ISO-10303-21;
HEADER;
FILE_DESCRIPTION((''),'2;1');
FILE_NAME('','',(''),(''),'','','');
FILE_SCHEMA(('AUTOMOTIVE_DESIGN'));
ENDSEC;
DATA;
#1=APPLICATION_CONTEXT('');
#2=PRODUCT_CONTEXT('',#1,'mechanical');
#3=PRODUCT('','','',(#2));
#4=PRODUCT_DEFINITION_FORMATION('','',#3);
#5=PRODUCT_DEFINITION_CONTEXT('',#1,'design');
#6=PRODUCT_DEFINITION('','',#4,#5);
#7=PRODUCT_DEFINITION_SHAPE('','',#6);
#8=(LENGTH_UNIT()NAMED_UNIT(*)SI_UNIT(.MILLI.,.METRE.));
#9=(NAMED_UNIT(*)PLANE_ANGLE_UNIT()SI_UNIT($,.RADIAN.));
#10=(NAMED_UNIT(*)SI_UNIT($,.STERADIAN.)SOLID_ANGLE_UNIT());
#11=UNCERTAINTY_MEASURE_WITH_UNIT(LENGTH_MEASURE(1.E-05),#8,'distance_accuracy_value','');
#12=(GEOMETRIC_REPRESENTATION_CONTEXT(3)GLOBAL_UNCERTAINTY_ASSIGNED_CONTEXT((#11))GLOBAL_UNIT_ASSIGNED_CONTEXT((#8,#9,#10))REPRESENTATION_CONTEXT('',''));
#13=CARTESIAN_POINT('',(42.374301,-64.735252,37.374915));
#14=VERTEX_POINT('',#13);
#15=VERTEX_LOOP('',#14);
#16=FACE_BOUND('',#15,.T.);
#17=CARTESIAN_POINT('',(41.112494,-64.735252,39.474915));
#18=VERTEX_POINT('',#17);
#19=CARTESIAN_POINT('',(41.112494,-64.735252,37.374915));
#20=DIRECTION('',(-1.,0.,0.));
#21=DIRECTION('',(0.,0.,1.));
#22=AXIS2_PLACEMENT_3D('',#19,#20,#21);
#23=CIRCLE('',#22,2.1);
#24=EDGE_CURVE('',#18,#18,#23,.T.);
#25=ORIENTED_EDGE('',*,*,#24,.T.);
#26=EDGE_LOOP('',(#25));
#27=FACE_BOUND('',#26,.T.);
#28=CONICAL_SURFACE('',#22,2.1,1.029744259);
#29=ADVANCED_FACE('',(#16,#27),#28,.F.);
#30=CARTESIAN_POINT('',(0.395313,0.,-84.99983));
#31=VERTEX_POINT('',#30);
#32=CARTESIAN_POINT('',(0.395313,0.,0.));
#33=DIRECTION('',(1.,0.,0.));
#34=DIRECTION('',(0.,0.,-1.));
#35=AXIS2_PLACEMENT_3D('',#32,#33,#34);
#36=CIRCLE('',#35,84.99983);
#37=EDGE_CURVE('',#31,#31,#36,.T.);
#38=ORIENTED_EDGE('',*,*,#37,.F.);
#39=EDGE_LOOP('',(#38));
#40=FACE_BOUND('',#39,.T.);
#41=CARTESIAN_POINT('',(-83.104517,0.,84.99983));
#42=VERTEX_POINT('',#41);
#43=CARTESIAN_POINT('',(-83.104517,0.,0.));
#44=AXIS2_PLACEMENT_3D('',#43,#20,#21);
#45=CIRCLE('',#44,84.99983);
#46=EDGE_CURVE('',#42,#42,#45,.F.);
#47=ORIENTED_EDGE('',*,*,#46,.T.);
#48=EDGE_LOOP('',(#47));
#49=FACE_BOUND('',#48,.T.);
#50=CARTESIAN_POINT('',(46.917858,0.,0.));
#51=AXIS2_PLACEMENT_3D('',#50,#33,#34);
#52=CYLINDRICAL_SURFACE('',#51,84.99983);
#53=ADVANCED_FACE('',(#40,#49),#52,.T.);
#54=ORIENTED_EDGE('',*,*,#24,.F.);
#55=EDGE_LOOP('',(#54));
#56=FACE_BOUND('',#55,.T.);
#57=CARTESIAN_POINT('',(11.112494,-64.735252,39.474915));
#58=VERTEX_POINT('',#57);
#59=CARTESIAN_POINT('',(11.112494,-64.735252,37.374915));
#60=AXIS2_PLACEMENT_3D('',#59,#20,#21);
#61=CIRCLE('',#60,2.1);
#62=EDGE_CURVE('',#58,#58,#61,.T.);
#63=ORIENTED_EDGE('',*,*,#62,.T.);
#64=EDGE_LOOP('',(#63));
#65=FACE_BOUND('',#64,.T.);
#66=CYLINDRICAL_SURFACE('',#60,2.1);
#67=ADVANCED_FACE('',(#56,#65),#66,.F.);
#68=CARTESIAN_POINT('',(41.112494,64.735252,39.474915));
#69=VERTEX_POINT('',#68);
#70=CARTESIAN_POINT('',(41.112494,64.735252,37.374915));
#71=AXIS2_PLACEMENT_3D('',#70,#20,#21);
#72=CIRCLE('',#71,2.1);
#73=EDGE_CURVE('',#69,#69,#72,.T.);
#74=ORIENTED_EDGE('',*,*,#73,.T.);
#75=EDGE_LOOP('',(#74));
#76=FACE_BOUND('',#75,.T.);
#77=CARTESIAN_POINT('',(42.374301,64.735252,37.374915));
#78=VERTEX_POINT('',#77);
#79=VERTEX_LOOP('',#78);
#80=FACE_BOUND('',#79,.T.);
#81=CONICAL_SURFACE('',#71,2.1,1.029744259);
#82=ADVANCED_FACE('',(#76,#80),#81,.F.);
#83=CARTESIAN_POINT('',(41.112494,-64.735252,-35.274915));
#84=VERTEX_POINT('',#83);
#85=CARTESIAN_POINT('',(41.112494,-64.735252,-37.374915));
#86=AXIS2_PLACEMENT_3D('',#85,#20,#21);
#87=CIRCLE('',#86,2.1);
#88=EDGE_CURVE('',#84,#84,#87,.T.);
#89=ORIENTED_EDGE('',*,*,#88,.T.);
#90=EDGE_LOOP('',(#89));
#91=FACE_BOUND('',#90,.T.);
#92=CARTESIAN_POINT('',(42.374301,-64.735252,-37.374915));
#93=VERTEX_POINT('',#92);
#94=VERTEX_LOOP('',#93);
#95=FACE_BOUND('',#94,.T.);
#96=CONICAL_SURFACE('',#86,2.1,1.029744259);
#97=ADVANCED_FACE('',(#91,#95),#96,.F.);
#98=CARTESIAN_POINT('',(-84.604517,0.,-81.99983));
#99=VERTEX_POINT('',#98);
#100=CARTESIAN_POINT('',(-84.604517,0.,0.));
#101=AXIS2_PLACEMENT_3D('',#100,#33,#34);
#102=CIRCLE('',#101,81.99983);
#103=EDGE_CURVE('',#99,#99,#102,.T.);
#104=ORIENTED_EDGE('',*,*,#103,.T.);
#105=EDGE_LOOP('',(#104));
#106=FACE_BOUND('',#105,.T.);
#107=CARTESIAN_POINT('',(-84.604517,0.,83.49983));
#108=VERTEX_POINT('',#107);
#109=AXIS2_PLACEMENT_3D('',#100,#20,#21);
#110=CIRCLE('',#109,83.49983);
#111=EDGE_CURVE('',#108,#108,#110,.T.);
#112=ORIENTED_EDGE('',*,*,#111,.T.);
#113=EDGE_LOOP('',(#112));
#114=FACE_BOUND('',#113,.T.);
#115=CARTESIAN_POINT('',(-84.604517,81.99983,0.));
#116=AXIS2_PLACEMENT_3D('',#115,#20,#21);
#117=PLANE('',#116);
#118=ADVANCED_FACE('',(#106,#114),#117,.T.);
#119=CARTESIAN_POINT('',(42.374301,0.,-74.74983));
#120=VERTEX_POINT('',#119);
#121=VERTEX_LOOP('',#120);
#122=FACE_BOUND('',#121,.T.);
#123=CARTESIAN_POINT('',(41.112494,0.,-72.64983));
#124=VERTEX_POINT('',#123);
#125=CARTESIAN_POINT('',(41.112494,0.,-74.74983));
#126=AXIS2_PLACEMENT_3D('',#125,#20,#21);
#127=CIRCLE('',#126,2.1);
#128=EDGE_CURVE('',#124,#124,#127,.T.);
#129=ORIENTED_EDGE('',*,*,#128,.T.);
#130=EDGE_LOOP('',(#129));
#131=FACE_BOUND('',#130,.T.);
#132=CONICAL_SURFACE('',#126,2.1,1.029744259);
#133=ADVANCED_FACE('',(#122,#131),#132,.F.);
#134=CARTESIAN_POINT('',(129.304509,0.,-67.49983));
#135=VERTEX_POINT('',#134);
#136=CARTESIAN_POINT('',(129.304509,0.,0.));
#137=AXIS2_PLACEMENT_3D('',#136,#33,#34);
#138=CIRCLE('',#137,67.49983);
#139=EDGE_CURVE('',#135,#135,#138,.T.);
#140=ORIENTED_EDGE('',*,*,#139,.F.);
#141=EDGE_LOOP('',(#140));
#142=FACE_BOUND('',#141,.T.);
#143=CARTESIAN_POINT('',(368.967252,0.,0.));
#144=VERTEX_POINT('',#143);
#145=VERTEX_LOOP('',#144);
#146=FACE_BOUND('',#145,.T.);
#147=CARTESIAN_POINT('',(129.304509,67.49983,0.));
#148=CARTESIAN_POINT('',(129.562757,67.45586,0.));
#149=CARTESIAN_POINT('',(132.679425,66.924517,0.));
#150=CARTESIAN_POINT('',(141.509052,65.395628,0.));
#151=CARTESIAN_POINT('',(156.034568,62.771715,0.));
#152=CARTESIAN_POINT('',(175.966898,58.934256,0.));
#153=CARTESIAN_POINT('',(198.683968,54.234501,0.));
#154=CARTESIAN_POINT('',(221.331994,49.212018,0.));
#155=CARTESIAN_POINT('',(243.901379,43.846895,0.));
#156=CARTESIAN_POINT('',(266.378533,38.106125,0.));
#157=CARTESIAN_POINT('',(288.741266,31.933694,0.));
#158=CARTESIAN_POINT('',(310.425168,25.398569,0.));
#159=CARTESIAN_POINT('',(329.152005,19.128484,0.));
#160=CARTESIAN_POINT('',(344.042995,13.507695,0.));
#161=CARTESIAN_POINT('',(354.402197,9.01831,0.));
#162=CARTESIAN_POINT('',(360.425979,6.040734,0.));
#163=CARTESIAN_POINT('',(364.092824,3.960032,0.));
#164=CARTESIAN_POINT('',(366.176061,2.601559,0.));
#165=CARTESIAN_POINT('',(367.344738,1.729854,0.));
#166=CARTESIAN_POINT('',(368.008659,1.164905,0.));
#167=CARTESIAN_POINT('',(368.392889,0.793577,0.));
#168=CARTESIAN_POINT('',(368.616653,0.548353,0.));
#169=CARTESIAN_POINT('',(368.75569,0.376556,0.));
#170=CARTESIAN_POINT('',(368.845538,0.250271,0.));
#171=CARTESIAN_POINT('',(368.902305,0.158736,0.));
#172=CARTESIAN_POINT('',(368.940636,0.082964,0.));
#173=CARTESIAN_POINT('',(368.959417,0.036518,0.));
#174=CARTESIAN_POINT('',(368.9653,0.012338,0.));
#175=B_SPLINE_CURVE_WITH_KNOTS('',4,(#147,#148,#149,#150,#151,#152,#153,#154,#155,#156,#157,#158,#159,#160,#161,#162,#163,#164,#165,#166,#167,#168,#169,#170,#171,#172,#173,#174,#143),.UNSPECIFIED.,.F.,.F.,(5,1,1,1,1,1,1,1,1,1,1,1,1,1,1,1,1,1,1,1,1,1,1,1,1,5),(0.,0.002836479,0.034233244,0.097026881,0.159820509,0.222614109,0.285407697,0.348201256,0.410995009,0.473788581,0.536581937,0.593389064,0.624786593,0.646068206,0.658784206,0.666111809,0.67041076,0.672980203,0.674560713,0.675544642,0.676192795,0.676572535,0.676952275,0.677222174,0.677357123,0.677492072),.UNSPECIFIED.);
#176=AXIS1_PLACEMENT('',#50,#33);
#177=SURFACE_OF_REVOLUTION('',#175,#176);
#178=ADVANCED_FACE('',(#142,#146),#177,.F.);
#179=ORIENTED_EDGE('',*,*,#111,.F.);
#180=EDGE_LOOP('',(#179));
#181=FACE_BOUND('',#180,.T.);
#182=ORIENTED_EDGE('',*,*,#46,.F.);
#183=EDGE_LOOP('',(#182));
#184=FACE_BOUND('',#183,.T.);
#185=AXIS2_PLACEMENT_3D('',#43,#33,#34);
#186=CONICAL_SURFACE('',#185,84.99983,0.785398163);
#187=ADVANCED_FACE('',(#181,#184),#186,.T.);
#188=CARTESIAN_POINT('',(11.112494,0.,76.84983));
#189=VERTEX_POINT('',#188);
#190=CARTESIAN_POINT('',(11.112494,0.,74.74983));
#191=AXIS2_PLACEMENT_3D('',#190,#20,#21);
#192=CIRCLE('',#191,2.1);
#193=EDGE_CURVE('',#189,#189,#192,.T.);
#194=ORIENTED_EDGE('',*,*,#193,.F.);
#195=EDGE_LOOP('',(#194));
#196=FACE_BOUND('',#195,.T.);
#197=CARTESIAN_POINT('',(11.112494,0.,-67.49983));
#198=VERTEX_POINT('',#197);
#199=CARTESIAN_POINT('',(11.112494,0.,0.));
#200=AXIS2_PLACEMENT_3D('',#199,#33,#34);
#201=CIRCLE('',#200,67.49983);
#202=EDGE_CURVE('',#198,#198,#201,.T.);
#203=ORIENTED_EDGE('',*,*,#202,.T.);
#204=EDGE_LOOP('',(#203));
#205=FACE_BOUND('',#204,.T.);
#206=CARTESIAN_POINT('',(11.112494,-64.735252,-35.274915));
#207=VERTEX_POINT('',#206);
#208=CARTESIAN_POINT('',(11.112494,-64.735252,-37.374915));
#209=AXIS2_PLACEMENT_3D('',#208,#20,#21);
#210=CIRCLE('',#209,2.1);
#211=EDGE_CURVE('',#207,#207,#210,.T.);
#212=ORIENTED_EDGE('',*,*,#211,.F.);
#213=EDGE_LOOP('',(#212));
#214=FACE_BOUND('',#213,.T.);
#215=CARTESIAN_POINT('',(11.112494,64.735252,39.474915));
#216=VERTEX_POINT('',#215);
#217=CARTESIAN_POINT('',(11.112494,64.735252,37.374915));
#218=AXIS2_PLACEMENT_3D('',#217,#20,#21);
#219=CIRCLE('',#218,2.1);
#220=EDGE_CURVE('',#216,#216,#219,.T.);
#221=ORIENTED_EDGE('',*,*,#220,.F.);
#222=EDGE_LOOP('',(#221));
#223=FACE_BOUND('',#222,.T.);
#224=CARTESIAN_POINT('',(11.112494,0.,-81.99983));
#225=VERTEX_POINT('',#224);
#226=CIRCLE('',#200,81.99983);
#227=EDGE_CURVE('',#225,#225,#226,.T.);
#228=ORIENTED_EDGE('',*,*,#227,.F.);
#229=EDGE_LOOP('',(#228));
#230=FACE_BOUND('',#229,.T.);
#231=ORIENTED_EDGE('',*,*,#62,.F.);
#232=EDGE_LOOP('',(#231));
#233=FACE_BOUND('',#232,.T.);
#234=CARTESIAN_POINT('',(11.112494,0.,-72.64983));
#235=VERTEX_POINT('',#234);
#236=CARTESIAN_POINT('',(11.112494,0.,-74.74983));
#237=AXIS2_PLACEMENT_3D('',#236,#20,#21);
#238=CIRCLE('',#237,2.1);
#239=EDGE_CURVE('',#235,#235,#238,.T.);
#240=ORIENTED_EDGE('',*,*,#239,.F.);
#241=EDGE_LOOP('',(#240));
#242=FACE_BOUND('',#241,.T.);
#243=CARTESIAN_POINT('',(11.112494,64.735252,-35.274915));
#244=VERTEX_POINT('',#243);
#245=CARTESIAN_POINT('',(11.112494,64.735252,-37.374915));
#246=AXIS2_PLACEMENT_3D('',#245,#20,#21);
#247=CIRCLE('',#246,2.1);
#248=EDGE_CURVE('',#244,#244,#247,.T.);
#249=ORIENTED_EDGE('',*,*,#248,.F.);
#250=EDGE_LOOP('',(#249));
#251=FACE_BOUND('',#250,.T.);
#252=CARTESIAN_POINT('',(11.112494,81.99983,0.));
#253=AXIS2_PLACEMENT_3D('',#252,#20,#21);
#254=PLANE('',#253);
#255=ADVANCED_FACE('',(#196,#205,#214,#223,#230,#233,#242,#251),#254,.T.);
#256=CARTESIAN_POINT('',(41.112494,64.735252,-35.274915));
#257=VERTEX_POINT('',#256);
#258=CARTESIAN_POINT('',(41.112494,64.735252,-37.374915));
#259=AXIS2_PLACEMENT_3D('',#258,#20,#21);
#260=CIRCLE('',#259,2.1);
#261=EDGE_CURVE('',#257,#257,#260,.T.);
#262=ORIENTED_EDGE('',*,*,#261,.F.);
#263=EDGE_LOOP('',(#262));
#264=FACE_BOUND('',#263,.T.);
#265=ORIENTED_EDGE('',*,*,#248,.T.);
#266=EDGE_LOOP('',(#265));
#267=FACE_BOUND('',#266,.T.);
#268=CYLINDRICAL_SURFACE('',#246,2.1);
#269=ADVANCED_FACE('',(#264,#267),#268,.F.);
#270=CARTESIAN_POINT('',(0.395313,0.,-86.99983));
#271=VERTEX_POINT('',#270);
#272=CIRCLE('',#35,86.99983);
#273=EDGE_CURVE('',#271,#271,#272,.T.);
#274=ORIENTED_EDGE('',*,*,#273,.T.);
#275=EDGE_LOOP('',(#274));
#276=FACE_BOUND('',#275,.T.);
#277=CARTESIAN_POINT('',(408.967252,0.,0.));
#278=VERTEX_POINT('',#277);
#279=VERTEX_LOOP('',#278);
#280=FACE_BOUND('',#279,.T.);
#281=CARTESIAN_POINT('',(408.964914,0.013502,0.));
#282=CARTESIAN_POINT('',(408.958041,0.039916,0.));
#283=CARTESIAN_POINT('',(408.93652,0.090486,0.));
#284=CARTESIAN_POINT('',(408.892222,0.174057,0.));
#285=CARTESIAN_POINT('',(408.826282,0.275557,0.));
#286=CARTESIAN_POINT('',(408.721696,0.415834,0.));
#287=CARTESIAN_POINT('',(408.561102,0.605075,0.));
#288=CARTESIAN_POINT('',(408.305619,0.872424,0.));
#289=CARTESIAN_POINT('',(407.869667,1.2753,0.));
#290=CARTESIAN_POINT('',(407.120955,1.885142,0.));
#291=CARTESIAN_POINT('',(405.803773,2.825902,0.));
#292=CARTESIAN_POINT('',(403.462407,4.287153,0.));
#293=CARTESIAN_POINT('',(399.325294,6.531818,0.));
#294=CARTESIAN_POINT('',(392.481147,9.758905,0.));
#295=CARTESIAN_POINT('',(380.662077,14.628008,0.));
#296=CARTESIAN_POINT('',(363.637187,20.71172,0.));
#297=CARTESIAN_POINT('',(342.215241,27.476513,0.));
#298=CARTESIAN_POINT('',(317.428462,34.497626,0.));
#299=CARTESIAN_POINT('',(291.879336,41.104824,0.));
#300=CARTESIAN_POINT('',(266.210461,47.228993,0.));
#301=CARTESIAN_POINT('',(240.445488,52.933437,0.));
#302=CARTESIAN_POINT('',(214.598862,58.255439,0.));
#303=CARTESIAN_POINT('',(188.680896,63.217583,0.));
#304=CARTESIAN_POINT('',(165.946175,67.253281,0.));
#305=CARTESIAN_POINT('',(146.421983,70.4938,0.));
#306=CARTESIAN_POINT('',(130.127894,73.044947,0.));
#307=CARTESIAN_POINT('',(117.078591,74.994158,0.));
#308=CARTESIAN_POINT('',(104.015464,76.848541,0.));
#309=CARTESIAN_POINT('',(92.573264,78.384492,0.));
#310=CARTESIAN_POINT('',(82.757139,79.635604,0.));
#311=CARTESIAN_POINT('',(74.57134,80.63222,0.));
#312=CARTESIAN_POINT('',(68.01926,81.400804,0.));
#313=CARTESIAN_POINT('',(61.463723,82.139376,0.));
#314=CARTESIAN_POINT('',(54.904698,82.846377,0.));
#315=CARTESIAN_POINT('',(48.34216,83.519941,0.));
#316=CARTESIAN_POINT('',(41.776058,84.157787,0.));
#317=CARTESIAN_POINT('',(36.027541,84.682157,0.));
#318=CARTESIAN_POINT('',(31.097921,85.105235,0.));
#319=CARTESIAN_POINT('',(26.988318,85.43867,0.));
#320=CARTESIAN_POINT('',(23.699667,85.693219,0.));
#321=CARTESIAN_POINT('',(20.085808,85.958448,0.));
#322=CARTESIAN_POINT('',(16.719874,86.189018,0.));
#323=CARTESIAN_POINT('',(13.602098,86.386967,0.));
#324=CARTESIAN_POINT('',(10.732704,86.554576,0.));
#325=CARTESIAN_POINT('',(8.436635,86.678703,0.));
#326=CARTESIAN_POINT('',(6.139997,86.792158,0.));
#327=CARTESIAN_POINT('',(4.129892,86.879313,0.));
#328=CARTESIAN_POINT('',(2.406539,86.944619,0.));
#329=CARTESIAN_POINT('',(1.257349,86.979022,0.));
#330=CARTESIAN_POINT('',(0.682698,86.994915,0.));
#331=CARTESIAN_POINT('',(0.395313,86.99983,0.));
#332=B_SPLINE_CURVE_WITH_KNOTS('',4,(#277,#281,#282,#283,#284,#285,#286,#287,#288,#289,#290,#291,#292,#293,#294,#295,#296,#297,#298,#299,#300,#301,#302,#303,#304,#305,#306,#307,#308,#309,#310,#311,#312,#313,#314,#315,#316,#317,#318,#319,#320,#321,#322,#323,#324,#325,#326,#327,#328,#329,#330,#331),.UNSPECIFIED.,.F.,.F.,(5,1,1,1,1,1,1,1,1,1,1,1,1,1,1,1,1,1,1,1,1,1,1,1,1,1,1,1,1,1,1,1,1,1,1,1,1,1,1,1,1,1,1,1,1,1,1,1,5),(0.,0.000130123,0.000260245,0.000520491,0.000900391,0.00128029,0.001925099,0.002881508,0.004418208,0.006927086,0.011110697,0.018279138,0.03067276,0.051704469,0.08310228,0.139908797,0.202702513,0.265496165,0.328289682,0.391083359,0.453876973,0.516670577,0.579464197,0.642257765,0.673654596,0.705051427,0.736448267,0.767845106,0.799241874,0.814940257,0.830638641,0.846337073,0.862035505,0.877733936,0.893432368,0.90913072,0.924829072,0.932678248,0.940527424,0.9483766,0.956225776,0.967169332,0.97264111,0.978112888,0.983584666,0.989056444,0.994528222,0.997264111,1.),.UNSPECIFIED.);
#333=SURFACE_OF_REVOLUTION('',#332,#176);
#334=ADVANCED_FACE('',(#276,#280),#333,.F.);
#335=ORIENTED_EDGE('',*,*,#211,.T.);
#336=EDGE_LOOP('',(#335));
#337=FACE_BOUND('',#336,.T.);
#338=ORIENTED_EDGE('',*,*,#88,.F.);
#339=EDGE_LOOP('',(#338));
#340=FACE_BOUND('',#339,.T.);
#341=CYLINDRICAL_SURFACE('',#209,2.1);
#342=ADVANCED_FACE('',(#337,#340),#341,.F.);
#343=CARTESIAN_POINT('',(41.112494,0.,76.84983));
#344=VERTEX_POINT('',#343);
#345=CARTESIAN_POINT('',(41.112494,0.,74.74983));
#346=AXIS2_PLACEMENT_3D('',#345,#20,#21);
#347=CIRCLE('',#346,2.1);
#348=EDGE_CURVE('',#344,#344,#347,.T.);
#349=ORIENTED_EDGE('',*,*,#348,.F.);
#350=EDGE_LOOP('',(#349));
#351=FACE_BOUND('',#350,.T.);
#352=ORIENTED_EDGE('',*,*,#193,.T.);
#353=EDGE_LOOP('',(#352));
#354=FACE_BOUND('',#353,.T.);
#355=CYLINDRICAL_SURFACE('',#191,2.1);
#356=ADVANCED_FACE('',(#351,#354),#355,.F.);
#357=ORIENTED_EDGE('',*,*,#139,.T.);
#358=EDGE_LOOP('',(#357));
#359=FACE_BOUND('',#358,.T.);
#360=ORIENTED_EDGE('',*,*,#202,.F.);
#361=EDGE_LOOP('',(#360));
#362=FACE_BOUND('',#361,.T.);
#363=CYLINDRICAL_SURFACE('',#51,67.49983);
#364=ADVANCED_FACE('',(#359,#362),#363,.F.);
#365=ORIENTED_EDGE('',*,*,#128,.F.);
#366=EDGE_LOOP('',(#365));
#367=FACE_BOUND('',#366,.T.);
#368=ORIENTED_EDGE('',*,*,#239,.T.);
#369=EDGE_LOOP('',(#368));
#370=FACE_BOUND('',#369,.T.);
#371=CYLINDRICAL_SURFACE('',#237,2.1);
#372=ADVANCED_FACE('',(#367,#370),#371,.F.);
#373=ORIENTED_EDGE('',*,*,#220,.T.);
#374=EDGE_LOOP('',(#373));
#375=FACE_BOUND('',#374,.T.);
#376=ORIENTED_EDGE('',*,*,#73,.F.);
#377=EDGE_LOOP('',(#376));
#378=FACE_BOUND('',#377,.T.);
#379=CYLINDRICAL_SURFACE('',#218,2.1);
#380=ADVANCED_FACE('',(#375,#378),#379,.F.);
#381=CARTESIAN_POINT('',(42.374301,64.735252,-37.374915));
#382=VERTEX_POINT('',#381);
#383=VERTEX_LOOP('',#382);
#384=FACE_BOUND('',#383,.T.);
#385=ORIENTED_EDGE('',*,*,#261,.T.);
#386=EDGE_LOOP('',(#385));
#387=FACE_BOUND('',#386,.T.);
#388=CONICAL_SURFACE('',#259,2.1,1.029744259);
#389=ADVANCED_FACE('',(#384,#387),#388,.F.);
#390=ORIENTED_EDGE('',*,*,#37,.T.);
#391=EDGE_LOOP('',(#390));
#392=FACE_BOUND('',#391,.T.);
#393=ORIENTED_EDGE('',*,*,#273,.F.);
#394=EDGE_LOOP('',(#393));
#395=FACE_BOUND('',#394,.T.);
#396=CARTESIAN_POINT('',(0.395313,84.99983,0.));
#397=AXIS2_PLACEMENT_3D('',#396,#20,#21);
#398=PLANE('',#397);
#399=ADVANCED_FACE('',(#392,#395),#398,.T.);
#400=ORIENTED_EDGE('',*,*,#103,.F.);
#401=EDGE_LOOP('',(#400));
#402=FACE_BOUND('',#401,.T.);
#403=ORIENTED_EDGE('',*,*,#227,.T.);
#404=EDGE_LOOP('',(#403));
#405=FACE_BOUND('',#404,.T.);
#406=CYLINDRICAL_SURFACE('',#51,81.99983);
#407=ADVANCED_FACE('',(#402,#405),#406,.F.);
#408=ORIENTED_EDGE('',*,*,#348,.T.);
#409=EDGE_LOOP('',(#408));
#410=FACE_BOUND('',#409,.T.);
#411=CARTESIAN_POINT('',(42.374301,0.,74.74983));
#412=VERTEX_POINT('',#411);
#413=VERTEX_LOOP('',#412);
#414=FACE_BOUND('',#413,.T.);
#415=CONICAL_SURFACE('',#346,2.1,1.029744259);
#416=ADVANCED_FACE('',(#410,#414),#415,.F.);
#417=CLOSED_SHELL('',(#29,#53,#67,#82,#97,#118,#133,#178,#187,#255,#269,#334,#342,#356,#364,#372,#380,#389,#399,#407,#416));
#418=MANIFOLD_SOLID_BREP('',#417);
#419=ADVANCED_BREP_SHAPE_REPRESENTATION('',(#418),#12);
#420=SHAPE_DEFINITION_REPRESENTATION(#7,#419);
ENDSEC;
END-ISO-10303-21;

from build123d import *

# Parameters (mm, degrees)
CHAMFER1_SIZE     = 1.5
CIRPATTERN1_COUNT = 6


with BuildPart() as part:
    # Sketch10 → Revolve1 (revolve)
    with BuildSketch(Plane.XY, mode=Mode.PRIVATE) as revolve1_sk:
        with BuildLine():
            Line((11.112493743, 81.99983), (11.112493743, 67.49983))
            Line((11.112493743, 67.49983), (129.304508698, 67.49983))
            add(Edge.make_bspline(
                [(368.967251823, 0), (368.965299543, 0.012338489), (368.959416882, 0.036518378), (368.940636147, 0.082964007), (368.902304552, 0.158736421), (368.845538097, 0.250270687), (368.755690124, 0.376555746), (368.616653262, 0.54835284), (368.392888737, 0.793577299), (368.008659121, 1.164904965), (367.344738263, 1.729853685), (366.176060796, 2.601559154), (364.09282389, 3.960032328), (360.425978756, 6.040734396), (354.402196649, 9.01831007), (344.042994901, 13.507695011), (329.152005398, 19.128483965), (310.425167902, 25.398569259), (288.741266406, 31.933693508), (266.378532845, 38.106125474), (243.901379123, 43.846895186), (221.331994001, 49.212017941), (198.683967629, 54.234500927), (175.966897581, 58.934255644), (156.034567874, 62.771715365), (141.509051931, 65.395628269), (132.679425236, 66.924517444), (129.562757302, 67.455859883), (129.304508698, 67.49983)],
                knots=[0, 0, 0, 0, 0, 0.000134949, 0.000269899, 0.000539798, 0.000919537, 0.001299277, 0.001947431, 0.00293136, 0.004511869, 0.007081312, 0.011380263, 0.018707867, 0.031423867, 0.052705479, 0.084103008, 0.140910136, 0.203703492, 0.266497064, 0.329290816, 0.392084375, 0.454877964, 0.517671564, 0.580465191, 0.643258828, 0.674655593, 0.677492072, 0.677492072, 0.677492072, 0.677492072, 0.677492072], degree=4))
            Line((368.967251823, 0), (408.967251823, 0))
            add(Edge.make_bspline(
                [(408.967251823, 0), (408.964913524, 0.013501739), (408.958040758, 0.039916077), (408.936520441, 0.090485698), (408.892222076, 0.174057132), (408.826281575, 0.275556803), (408.721696416, 0.415833756), (408.561101809, 0.605075245), (408.30561918, 0.87242415), (407.86966713, 1.275299562), (407.120955138, 1.885142115), (405.803773451, 2.82590185), (403.46240692, 4.287152794), (399.325294488, 6.531818454), (392.481146888, 9.758904649), (380.662076725, 14.628008466), (363.637187185, 20.711720382), (342.215241093, 27.476512989), (317.428462321, 34.49762647), (291.879335737, 41.10482439), (266.21046092, 47.228993169), (240.44548836, 52.933436777), (214.598861982, 58.255439009), (188.68089566, 63.217582693), (165.946174917, 67.253280679), (146.421982586, 70.493799722), (130.127893898, 73.044947468), (117.078590637, 74.994157933), (104.015464216, 76.84854079), (92.573263959, 78.384492045), (82.757139441, 79.635603973), (74.571340184, 80.632219902), (68.019260454, 81.400804211), (61.463723364, 82.139375899), (54.90469802, 82.84637726), (48.342159918, 83.519940506), (41.776057559, 84.15778717), (36.02754108, 84.682157239), (31.097921259, 85.105234912), (26.988317923, 85.438669825), (23.699666618, 85.693218594), (20.085807822, 85.958448038), (16.719873821, 86.189018485), (13.602098287, 86.386966779), (10.732704013, 86.554575744), (8.436635008, 86.678703291), (6.139997341, 86.792157585), (4.129892063, 86.879313264), (2.40653858, 86.944618982), (1.257348635, 86.979022496), (0.68269791, 86.99491462), (0.395312527, 86.99983)],
                knots=[0, 0, 0, 0, 0, 0.000130123, 0.000260245, 0.000520491, 0.000900391, 0.00128029, 0.001925099, 0.002881508, 0.004418208, 0.006927086, 0.011110697, 0.018279138, 0.03067276, 0.051704469, 0.08310228, 0.139908797, 0.202702513, 0.265496165, 0.328289682, 0.391083359, 0.453876973, 0.516670577, 0.579464197, 0.642257765, 0.673654596, 0.705051427, 0.736448267, 0.767845106, 0.799241874, 0.814940257, 0.830638641, 0.846337073, 0.862035505, 0.877733936, 0.893432368, 0.90913072, 0.924829072, 0.932678248, 0.940527424, 0.9483766, 0.956225776, 0.967169332, 0.97264111, 0.978112888, 0.983584666, 0.989056444, 0.994528222, 0.997264111, 1, 1, 1, 1, 1], degree=4))
            Line((0.395312527, 86.99983), (0.395312527, 84.99983))
            Line((0.395312527, 84.99983), (-84.604517473, 84.99983))
            Line((-84.604517473, 84.99983), (-84.604517473, 81.99983))
            Line((-84.604517473, 81.99983), (11.112493743, 81.99983))
        make_face()
    revolve(revolve1_sk.sketch.rotate(Axis((46.917858469, 0, 0), (-1, 0, 0)), 90), axis=Axis((46.917858469, 0, 0), (-1, 0, 0)))

    # Chamfer1
    chamfer1_edges = [part.edges().sort_by_distance(p)[0] for p in [
        (-84.604517473, 0, 84.99983),
    ]]
    chamfer(chamfer1_edges, length=CHAMFER1_SIZE)

    # Sketch18 → Tapped Hole for M4x0.7 Helicoil1 (revolve, cut)
    with BuildSketch(Plane(origin=(11.112493743, 64.735251709, -37.374915), x_dir=(0, 0, 1), z_dir=(0, 1, 0))):
        Polygon((0, 0), (0, 31.2618073), (2.1, 30), (2.1, 0), align=None)
    tapped_hole_for_m4x0_7_helicoil1 = revolve(axis=Axis((4.762493743, 64.735251709, -37.374915), (1, 0, 0)), mode=Mode.SUBTRACT)

    # CirPattern1: Tapped Hole for M4x0.7 Helicoil1 ×6 about axis
    cirpattern1_axis = Axis((0, 0, 0), (1, 0, 0))
    for i in range(1, CIRPATTERN1_COUNT):
        add(tapped_hole_for_m4x0_7_helicoil1.rotate(cirpattern1_axis, i * 360 / CIRPATTERN1_COUNT), mode=Mode.SUBTRACT)


solid = part.part
